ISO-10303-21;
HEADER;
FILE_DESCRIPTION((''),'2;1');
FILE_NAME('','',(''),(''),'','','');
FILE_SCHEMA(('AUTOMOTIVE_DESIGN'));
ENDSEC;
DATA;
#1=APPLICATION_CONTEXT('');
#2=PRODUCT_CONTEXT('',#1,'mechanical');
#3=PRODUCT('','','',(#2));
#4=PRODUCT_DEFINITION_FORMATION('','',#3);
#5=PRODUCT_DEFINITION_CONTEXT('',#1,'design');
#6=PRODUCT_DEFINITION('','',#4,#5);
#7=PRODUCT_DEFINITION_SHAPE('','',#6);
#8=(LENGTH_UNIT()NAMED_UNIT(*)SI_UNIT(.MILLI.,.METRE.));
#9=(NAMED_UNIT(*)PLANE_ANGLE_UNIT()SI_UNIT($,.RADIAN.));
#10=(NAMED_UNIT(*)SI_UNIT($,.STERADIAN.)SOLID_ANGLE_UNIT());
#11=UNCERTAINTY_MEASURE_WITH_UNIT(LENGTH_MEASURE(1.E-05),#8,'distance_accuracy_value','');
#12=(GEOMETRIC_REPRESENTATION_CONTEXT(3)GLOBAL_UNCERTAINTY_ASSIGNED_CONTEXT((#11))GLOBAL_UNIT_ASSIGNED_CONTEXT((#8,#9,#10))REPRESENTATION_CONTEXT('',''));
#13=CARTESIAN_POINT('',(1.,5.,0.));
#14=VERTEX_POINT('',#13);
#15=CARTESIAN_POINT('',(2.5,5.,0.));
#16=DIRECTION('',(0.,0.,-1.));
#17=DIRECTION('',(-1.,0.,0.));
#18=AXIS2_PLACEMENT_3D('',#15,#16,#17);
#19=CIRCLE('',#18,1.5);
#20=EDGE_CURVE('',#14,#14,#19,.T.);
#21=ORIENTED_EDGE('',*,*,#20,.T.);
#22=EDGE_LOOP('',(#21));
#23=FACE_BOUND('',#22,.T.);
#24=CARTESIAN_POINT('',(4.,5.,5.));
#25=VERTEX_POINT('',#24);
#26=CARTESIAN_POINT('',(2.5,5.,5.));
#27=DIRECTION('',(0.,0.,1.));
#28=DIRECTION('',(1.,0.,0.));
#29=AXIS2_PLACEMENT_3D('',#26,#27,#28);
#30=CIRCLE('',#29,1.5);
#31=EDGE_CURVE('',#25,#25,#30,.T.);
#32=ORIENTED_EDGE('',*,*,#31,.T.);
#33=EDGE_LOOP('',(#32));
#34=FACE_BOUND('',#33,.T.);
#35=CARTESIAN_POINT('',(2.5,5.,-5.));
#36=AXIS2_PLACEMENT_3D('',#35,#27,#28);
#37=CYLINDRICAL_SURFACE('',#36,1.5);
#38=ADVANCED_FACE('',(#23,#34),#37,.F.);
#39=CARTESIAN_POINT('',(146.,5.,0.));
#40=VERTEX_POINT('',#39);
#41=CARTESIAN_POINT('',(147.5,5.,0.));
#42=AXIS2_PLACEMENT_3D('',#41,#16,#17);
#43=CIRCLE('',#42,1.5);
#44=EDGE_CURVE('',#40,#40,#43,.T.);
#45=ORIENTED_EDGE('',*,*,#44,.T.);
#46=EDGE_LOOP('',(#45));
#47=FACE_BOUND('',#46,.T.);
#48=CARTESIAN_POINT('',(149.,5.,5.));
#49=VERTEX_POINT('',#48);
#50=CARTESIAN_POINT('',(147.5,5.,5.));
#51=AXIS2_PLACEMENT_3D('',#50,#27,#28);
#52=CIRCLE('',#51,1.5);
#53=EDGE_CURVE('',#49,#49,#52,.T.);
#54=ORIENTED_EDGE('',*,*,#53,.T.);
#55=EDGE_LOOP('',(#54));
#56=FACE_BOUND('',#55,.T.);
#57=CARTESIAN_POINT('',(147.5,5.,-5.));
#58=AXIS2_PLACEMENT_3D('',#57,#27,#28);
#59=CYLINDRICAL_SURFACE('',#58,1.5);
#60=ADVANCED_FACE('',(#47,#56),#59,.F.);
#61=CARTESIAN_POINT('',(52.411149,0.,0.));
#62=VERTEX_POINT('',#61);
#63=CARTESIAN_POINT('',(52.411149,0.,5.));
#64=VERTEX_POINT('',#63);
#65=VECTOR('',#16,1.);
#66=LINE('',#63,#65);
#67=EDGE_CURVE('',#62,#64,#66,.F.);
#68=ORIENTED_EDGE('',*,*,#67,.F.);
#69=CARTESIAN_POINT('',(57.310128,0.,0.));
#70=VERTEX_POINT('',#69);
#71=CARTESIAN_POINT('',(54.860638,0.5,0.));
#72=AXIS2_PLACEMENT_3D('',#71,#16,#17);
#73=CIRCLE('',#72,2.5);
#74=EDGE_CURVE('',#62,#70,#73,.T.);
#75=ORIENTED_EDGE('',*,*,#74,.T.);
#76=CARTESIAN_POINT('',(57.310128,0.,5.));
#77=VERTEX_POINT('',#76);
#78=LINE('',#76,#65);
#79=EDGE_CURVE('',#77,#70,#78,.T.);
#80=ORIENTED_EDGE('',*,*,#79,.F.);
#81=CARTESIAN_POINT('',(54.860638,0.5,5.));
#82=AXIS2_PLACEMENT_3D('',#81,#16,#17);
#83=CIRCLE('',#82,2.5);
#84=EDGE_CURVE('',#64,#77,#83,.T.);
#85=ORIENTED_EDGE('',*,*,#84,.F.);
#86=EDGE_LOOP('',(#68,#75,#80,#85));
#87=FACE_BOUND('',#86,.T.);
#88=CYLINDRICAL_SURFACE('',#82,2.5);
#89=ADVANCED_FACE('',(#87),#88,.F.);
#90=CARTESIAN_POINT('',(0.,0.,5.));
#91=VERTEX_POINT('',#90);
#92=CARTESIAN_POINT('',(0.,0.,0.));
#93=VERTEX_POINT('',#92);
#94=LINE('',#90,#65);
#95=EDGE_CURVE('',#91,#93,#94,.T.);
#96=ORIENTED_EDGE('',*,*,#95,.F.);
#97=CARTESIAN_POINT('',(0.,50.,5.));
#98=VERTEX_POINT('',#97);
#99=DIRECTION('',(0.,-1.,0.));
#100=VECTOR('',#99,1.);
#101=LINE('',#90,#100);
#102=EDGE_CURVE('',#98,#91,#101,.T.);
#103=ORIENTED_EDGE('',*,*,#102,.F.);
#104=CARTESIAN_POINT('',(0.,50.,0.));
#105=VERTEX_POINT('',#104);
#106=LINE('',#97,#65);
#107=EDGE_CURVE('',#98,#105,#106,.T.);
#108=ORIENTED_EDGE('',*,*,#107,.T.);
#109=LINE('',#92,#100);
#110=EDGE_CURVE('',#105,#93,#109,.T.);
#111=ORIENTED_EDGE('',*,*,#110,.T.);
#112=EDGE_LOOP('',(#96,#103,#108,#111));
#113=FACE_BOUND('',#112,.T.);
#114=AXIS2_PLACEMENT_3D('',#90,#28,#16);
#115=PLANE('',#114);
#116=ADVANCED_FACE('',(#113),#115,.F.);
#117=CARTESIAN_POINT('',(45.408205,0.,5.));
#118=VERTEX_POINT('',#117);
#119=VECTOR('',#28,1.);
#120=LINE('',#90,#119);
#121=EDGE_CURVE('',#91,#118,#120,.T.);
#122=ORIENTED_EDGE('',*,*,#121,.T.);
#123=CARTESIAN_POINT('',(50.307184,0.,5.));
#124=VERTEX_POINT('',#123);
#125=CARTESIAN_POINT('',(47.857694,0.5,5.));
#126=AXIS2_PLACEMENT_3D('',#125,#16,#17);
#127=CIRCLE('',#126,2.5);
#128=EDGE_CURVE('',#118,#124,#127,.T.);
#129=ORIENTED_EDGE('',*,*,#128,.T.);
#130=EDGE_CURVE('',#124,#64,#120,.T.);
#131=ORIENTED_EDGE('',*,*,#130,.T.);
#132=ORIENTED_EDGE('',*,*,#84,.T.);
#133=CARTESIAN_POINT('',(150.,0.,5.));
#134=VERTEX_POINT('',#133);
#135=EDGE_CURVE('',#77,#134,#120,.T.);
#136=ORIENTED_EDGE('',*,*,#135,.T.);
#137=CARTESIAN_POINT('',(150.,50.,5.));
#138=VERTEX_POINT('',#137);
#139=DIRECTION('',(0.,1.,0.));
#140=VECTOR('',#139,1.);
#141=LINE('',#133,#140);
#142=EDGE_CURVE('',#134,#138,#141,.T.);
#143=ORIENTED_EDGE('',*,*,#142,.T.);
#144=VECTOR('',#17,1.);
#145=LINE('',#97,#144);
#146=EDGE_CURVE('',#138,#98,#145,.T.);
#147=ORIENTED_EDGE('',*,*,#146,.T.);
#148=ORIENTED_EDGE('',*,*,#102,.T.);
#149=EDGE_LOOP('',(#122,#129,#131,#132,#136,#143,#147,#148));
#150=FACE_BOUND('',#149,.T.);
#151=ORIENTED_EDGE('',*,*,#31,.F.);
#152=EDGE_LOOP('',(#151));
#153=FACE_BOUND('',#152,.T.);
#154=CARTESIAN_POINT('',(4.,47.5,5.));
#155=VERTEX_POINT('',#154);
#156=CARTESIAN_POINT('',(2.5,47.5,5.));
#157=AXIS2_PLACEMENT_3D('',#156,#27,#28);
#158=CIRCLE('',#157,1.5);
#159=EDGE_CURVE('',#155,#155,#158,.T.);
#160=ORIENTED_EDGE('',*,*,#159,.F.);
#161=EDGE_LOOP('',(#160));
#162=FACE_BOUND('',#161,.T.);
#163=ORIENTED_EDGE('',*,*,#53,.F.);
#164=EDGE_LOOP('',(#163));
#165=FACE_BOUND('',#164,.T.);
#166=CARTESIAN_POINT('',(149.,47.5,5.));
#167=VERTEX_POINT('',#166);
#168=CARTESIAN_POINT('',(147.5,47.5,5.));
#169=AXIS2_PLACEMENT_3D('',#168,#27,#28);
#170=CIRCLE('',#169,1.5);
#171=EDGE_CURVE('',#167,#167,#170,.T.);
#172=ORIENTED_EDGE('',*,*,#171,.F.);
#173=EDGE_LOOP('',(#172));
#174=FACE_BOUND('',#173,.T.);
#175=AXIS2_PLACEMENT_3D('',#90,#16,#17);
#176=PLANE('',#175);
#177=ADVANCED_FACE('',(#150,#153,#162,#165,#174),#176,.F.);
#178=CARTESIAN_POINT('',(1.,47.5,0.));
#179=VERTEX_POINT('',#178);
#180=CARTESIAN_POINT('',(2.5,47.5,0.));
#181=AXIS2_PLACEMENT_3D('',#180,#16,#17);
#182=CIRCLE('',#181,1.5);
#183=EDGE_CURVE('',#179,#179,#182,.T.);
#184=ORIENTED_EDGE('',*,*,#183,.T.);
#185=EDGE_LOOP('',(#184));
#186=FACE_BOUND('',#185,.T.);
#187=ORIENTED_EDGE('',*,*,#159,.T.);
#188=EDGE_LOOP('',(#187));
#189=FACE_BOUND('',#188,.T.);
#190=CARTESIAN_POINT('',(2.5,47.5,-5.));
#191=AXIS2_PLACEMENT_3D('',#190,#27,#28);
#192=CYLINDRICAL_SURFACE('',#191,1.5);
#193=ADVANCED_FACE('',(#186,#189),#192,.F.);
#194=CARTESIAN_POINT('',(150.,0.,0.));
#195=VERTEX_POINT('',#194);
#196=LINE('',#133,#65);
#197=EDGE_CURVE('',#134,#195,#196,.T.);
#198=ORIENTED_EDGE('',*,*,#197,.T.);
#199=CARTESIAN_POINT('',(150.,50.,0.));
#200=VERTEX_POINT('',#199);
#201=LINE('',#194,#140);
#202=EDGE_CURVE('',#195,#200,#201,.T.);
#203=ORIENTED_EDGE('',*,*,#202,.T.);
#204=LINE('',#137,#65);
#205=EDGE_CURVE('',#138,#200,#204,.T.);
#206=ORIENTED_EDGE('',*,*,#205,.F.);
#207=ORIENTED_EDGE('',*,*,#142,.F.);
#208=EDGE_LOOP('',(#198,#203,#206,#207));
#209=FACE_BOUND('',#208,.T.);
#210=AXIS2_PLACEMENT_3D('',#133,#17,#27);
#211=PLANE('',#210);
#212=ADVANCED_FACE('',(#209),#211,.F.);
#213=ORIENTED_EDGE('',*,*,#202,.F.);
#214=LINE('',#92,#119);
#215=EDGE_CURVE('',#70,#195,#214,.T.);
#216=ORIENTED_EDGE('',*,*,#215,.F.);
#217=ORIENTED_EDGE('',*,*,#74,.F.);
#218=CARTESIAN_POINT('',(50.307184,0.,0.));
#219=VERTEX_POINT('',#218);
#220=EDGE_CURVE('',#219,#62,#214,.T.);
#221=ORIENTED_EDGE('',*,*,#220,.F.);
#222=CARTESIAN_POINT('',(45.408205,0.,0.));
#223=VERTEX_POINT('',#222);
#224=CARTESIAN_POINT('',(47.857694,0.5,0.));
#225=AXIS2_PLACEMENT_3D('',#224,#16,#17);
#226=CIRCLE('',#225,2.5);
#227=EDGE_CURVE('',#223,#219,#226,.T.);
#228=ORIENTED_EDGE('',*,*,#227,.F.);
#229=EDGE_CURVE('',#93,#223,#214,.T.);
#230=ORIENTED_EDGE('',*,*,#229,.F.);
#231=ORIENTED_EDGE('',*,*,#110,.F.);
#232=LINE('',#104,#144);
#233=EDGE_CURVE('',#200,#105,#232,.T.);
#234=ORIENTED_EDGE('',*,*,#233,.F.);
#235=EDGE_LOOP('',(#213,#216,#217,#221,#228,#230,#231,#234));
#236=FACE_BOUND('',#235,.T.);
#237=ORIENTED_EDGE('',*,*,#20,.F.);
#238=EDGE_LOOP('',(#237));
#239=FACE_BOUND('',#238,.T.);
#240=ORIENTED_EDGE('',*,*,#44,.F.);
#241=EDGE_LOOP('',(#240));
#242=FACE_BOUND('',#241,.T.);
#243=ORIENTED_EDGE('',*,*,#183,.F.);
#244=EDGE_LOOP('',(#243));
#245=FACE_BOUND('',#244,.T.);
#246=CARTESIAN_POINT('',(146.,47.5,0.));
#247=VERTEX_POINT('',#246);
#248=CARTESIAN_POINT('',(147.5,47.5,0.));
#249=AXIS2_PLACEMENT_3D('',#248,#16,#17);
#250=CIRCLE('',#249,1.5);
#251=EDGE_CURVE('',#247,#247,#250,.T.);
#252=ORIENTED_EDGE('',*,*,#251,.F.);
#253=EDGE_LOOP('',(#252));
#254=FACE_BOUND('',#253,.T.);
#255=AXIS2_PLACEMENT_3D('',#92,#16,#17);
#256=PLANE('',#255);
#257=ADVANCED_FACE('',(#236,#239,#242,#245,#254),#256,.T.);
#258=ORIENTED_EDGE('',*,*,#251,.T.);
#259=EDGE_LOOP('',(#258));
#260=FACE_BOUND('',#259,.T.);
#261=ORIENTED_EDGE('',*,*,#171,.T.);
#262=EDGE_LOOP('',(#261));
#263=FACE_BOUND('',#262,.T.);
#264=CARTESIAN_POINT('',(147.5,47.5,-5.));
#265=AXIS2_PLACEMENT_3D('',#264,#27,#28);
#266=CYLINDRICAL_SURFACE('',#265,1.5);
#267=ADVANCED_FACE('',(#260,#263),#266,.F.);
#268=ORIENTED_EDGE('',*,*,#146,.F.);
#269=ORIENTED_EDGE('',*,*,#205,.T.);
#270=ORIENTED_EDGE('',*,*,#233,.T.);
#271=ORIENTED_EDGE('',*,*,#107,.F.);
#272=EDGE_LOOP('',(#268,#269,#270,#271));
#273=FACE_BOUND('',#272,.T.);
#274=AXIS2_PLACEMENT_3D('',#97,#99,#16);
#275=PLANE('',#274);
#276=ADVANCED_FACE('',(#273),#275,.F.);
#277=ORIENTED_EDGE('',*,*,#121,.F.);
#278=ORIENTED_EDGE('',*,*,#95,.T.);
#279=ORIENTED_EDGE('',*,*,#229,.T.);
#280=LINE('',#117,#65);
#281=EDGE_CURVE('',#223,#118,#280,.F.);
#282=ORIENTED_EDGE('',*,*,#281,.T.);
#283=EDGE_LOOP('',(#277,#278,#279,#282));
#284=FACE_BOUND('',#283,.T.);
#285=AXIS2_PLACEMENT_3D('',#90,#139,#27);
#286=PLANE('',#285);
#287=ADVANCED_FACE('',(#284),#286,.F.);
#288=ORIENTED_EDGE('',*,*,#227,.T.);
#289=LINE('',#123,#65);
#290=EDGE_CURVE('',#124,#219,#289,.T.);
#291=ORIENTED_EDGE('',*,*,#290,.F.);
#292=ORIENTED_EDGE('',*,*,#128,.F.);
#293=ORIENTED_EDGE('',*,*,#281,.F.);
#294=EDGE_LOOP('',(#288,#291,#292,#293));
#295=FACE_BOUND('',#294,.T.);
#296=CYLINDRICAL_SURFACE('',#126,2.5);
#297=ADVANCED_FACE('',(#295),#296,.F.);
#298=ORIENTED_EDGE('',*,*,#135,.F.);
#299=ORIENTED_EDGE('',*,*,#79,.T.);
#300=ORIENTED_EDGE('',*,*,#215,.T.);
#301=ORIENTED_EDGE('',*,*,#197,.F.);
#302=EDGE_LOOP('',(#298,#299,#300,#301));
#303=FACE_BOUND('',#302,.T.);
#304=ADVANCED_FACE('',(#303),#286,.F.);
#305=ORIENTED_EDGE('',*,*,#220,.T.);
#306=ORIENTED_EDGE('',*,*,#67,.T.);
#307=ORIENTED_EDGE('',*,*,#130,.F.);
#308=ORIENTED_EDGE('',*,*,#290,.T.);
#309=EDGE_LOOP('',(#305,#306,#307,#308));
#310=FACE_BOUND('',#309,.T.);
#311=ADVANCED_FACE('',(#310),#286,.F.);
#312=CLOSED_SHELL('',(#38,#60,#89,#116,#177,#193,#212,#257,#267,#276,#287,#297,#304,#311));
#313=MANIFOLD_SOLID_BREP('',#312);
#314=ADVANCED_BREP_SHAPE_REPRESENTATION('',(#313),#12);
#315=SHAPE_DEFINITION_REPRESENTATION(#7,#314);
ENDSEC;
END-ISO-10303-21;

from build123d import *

# Parameters (mm, degrees)
SKETCH1_W           = 150
SKETCH1_H           = 50
BOSS_EXTRUDE1_DEPTH = 5
SKETCH2_R           = 1.5
CUT_EXTRUDE1_DEPTH  = 10
SKETCH3_R           = 2.5
CUT_EXTRUDE2_DEPTH  = 159.192920196


with BuildPart() as part:
    # Sketch1 → Boss-Extrude1 (new body)
    with BuildSketch(Plane.XY):
        with Locations((75, 25)):
            Rectangle(SKETCH1_W, SKETCH1_H)
    extrude(amount=BOSS_EXTRUDE1_DEPTH)

    # Sketch2 → Cut-Extrude1 (cut)
    with BuildSketch(Plane.XY.offset(5)):
        with Locations((2.5, 5)):
            Circle(SKETCH2_R)
        with Locations((2.5, 47.5)):
            Circle(SKETCH2_R)
        with Locations((147.5, 47.5)):
            Circle(SKETCH2_R)
        with Locations((147.5, 5)):
            Circle(SKETCH2_R)
    extrude(amount=-CUT_EXTRUDE1_DEPTH, mode=Mode.SUBTRACT)

    # Sketch3 → Cut-Extrude2 (cut, through all)
    with BuildSketch(Plane(origin=(0, 0, 0), x_dir=(-1, 0, 0), z_dir=(0, 0, -1))):
        with Locations((-54.86063832, 0.5)):
            Circle(SKETCH3_R)
        with Locations((-47.857694484, 0.5)):
            Circle(SKETCH3_R)
    extrude(amount=-CUT_EXTRUDE2_DEPTH, mode=Mode.SUBTRACT)


solid = part.part
